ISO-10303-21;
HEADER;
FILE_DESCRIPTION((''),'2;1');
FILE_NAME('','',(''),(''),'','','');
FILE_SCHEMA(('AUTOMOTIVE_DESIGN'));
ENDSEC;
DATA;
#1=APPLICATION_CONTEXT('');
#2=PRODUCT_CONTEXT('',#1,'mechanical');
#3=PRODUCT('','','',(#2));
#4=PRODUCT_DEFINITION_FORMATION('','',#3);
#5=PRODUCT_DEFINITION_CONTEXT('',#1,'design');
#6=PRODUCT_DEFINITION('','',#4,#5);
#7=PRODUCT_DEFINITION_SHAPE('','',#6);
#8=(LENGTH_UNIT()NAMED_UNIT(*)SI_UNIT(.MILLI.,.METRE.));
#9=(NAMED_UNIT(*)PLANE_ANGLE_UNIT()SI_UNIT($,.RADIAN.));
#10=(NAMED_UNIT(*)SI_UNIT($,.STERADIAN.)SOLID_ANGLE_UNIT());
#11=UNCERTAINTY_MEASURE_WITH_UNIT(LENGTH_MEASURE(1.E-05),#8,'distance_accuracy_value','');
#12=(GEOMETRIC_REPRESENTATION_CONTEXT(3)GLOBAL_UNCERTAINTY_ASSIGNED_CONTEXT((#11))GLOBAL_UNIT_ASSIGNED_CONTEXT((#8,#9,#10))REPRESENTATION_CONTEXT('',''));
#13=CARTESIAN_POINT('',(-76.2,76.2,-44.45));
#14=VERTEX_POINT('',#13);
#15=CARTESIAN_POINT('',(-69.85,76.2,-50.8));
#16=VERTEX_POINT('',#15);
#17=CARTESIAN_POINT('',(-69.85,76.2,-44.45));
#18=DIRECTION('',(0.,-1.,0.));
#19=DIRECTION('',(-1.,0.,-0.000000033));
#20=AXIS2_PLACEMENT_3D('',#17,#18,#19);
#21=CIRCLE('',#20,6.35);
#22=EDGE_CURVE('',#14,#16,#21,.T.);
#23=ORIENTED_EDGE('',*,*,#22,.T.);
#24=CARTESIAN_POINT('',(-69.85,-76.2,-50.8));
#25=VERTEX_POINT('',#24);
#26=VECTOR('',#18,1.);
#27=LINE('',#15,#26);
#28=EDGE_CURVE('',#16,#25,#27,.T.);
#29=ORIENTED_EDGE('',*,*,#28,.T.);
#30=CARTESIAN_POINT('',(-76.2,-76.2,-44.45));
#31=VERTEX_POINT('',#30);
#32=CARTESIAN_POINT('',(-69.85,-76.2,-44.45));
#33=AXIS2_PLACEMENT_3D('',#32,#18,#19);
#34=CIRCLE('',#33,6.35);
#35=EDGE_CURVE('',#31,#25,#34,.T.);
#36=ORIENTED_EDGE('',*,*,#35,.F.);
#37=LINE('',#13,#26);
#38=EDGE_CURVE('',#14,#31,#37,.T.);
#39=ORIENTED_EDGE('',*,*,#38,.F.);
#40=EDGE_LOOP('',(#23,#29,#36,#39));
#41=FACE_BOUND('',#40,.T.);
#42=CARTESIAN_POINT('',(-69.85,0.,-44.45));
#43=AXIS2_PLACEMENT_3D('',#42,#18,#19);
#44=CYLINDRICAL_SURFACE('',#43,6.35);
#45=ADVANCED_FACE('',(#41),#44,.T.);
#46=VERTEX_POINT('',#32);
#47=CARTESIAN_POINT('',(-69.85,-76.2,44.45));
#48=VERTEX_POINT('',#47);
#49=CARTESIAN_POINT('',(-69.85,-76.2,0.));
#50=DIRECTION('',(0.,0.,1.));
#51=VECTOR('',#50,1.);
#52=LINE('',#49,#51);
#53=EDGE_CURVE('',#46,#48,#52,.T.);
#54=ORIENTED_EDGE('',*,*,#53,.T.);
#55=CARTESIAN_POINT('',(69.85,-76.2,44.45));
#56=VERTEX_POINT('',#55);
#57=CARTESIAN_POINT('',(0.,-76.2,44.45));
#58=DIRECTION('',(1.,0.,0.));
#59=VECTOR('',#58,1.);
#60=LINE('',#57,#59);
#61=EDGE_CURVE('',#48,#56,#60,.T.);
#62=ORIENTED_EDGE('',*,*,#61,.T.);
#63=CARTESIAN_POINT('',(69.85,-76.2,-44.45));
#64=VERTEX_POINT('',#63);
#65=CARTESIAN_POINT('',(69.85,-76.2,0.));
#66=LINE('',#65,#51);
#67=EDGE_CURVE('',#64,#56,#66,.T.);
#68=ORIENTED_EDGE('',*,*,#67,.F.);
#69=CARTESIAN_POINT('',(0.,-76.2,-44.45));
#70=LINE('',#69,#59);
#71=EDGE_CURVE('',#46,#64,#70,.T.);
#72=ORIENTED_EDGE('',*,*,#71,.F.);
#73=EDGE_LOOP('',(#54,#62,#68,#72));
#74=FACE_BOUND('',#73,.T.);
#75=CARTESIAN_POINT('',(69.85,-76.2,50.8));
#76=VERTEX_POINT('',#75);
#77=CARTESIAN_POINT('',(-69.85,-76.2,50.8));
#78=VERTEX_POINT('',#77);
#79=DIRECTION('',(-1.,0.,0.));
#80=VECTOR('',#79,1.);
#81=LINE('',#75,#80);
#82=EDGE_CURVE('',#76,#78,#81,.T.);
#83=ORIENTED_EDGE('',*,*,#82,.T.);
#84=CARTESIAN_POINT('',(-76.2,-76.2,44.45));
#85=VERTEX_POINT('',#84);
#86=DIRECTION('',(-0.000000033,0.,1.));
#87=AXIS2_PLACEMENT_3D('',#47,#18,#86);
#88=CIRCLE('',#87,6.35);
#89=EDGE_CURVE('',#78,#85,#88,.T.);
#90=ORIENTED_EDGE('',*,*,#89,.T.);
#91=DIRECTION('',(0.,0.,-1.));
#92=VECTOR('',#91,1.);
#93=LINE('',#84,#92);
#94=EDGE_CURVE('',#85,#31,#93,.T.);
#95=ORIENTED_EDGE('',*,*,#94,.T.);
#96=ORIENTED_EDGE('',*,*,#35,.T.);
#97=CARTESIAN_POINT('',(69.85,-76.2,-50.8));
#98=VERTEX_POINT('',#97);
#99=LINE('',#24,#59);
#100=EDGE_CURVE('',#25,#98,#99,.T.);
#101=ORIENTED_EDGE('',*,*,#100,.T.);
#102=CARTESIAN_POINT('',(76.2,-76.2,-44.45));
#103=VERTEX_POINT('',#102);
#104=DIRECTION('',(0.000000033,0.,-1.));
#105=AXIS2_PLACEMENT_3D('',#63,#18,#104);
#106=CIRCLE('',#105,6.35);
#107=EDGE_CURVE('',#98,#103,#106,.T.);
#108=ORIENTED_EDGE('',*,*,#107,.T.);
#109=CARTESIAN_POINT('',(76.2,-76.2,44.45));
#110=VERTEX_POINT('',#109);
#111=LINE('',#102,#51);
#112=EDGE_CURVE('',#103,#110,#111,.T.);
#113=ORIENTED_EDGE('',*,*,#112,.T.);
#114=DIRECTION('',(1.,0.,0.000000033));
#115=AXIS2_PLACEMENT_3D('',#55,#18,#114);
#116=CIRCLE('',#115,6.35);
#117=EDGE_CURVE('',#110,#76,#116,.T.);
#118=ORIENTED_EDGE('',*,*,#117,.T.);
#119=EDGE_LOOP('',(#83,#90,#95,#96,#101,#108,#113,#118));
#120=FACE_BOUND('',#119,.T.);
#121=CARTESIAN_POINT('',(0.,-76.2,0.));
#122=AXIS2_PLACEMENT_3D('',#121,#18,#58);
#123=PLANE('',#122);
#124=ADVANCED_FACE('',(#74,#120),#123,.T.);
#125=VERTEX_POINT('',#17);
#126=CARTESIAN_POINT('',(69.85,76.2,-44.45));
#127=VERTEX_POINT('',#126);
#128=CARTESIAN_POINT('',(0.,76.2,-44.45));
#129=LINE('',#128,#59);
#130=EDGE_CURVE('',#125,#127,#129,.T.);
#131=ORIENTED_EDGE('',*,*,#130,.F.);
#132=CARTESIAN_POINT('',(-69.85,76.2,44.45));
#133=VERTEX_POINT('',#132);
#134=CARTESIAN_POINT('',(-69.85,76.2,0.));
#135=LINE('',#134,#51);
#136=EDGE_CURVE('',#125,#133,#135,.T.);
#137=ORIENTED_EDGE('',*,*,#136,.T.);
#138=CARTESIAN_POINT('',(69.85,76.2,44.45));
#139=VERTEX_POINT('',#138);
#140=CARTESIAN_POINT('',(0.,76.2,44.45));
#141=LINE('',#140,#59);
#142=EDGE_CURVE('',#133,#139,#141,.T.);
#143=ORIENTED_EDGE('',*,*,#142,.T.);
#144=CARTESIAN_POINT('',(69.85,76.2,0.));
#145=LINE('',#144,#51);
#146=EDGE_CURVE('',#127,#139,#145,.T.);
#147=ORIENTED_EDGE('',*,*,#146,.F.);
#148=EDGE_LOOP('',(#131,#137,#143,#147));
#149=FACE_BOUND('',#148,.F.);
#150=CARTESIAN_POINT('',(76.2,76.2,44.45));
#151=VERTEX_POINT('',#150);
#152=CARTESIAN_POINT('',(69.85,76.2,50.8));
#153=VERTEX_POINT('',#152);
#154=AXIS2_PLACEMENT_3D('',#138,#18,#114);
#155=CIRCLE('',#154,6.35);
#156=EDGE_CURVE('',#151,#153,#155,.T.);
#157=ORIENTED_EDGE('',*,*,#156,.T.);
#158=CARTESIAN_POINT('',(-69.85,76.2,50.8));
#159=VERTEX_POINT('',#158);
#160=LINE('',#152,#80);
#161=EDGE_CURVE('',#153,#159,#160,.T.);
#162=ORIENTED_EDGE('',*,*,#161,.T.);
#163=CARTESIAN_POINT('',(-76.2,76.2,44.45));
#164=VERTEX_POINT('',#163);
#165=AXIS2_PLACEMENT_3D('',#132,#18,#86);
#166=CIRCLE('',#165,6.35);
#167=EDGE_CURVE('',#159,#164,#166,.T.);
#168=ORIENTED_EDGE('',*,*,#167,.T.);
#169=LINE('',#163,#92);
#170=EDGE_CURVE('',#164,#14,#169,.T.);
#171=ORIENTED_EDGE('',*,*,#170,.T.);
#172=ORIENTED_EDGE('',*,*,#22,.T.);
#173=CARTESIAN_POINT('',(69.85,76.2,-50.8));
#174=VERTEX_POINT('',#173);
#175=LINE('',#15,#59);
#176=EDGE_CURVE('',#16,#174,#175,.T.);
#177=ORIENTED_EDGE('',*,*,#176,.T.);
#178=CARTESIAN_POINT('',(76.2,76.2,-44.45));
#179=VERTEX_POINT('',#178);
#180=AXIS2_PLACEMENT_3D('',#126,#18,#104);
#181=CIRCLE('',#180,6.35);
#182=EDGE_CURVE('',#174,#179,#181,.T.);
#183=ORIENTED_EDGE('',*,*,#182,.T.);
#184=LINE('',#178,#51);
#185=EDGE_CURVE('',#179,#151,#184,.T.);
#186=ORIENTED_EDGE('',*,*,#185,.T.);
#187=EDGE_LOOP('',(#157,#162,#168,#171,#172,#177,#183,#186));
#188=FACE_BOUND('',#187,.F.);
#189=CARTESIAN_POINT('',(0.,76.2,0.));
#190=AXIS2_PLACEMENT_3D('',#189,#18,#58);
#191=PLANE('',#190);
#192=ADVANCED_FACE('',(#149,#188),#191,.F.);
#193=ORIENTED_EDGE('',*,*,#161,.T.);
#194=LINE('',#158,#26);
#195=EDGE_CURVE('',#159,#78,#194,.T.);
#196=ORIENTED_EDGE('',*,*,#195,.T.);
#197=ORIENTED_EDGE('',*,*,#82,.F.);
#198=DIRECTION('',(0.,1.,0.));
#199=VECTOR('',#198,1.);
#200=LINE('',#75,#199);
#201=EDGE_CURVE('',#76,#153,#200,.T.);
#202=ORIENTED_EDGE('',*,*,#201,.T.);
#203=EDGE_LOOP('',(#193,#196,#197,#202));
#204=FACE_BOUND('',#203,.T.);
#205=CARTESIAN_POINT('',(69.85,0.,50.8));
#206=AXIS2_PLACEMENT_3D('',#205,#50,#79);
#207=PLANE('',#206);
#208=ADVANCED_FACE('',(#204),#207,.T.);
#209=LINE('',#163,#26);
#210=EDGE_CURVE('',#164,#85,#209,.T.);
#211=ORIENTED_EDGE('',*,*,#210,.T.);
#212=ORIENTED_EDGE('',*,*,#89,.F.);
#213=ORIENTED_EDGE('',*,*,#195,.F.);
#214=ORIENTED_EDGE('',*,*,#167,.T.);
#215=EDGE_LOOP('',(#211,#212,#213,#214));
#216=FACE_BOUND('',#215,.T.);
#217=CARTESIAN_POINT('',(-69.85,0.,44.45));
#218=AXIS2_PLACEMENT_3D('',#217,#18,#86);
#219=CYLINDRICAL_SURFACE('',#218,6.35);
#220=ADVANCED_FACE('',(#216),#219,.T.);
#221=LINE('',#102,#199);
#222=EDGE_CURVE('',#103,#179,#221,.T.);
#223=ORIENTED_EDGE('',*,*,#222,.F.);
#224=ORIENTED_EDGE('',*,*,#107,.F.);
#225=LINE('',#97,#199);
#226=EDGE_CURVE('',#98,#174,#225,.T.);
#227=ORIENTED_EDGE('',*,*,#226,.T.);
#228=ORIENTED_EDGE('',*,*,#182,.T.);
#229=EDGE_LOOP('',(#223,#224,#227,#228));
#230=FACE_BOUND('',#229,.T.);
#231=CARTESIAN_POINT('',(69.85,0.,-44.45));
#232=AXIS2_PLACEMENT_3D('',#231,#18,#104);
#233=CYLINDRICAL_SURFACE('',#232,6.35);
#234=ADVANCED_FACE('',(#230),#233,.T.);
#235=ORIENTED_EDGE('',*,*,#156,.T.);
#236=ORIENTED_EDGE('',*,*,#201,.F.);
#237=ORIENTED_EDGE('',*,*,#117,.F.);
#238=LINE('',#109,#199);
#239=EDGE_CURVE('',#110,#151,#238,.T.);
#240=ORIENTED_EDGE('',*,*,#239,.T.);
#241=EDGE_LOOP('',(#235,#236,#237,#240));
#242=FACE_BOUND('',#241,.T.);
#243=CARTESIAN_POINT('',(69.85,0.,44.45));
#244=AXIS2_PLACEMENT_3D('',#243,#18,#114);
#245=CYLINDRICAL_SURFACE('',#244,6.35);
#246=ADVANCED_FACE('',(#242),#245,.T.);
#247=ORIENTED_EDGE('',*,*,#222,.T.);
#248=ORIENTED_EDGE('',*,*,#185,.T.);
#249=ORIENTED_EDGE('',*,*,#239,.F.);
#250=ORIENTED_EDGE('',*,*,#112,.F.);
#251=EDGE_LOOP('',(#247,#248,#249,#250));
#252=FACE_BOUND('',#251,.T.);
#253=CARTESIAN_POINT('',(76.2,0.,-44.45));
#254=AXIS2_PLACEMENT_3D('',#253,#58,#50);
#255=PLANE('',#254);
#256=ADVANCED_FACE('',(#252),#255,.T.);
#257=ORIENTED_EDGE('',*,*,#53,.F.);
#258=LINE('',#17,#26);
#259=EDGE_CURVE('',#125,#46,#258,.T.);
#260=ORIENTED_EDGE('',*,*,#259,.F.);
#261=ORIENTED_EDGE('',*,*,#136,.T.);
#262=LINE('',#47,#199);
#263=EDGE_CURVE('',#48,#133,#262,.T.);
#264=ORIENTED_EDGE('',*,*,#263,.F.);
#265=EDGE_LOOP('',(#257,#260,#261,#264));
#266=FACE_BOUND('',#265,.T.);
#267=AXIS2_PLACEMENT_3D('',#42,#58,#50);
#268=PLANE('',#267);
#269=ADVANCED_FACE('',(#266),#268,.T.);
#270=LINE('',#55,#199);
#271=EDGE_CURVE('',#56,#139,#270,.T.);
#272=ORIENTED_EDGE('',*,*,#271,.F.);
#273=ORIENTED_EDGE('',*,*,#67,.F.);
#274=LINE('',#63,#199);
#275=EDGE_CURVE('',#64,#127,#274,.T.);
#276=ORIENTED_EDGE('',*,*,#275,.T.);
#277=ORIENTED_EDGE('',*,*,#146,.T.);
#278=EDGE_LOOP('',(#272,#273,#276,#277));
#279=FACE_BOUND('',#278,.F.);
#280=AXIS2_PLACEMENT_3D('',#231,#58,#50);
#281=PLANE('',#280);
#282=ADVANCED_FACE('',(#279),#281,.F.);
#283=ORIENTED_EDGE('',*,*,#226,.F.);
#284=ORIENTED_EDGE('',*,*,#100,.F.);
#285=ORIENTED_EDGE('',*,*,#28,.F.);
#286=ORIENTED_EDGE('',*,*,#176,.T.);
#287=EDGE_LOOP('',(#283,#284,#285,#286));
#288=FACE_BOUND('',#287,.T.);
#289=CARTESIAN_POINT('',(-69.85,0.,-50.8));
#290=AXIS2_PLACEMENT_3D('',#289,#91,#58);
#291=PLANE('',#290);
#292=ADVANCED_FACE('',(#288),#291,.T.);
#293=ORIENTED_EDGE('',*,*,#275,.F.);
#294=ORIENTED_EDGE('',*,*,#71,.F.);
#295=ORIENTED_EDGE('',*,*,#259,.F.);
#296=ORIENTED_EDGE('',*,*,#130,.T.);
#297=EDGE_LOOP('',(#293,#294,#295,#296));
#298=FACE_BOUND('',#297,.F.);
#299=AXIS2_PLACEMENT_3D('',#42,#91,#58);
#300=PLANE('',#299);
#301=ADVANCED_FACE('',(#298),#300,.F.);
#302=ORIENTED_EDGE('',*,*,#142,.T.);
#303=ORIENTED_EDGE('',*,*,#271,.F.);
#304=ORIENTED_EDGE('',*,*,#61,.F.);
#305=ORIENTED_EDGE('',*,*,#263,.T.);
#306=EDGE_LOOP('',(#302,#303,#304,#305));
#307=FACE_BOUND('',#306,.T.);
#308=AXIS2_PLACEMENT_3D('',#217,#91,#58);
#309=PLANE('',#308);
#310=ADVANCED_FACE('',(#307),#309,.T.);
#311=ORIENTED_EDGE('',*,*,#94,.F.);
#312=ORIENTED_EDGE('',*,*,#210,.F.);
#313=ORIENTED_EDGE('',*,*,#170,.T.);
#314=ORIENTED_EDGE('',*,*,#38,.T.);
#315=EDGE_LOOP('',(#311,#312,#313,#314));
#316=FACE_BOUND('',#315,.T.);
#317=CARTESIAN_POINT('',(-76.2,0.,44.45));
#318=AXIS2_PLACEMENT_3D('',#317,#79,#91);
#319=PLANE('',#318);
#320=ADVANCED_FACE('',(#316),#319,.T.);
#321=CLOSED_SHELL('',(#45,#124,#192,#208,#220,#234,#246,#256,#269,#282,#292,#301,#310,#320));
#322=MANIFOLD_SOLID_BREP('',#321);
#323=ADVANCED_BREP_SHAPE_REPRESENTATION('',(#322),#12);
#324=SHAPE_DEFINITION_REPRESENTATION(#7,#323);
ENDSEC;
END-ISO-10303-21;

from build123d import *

# Parameters (mm, degrees)
F0_W     = 139.7
F0_H     = 88.9
F1_DEPTH = 76.2


with BuildPart() as f1:
    # F0 (on Front) → F1 (new body, symmetric)
    with BuildSketch(Plane.XZ):
        with BuildLine():
            Line((69.85, 50.8), (-69.85, 50.8))
            ThreePointArc((-69.85, 50.8), (-74.340128, 48.940128), (-76.2, 44.45))
            Line((-76.2, 44.45), (-76.2, -44.45))
            ThreePointArc((-76.2, -44.45), (-74.340128, -48.940128), (-69.85, -50.8))
            Line((-69.85, -50.8), (69.85, -50.8))
            ThreePointArc((69.85, -50.8), (74.340128, -48.940128), (76.2, -44.45))
            Line((76.2, -44.45), (76.2, 44.45))
            ThreePointArc((76.2, 44.45), (74.340128, 48.940128), (69.85, 50.8))
        make_face()
        Rectangle(F0_W, F0_H, mode=Mode.SUBTRACT)
    extrude(amount=F1_DEPTH, both=True)


solid = f1.part
